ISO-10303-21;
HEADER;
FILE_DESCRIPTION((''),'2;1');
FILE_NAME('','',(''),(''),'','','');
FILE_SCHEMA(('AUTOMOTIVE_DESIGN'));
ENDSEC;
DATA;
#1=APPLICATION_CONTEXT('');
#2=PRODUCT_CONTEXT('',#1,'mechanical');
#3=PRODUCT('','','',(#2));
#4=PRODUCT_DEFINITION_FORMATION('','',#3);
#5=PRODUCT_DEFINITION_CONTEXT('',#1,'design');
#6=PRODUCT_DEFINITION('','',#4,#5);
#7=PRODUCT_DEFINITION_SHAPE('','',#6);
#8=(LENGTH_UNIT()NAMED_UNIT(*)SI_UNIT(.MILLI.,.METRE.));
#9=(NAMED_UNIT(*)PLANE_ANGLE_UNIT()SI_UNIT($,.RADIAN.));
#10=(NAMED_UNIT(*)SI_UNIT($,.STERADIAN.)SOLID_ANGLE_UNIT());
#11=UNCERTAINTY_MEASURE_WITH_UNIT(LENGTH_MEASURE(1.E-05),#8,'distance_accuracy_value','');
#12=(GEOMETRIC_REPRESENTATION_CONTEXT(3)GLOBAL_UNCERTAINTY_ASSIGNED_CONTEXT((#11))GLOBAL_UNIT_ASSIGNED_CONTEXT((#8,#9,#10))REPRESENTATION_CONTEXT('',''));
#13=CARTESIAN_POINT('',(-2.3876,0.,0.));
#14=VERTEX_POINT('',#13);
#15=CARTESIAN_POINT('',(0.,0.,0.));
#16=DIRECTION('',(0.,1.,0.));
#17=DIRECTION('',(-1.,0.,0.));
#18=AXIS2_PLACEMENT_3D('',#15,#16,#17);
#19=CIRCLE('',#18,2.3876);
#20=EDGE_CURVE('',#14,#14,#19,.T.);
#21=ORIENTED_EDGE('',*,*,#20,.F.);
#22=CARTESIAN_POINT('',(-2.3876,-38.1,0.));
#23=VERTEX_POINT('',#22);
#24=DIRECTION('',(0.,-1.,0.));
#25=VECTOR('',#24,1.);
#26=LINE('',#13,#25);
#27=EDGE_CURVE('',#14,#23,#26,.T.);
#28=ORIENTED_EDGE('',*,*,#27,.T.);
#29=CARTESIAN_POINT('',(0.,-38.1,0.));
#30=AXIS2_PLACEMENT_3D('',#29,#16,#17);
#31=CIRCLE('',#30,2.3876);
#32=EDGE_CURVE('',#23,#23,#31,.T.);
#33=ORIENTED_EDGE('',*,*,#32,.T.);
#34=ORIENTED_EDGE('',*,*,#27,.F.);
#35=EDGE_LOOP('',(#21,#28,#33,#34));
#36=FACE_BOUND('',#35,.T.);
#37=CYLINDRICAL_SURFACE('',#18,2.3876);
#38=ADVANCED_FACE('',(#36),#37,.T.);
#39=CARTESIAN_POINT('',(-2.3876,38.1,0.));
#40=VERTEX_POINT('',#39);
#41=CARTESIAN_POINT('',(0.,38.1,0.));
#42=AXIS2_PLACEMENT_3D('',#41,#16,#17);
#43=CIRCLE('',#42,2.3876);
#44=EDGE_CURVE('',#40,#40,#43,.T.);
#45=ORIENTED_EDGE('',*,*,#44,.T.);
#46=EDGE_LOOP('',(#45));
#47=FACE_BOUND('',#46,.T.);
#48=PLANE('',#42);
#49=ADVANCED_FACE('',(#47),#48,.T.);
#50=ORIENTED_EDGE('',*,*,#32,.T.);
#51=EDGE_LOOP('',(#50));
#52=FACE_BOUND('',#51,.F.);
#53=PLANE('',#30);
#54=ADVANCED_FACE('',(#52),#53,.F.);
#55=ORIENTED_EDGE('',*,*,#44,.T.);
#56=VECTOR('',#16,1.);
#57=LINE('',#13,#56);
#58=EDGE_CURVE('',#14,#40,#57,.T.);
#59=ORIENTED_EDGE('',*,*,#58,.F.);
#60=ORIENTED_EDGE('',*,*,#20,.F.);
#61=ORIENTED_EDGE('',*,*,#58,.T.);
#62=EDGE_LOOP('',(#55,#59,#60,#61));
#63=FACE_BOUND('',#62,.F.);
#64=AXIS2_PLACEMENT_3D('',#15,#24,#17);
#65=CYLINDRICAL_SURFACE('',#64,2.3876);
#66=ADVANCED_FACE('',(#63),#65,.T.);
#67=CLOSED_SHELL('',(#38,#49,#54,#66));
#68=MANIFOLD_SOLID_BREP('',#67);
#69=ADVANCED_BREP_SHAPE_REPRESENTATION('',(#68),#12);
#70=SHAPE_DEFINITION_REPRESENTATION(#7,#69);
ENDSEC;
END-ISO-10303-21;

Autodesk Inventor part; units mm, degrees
ref_plane "YZ Plane" through (0, 0, 0) normal (1, 0, 0) x (0, 1, 0)
ref_plane "XZ Plane" through (0, 0, 0) normal (0, 1, 0) x (-1, 0, 0)
ref_plane "XY Plane" through (0, 0, 0) normal (0, 0, 1) x (1, 0, 0)
sketch "Sketch1" plane through (0, 0, 0) normal (0, 1, 0) x (-1, 0, 0)
  circle A0 centre (0, 0) radius 2.3876
  dimension "d0" = 4.7752
extrude "Extrusion1" add sketch "Sketch1" along normal mid plane 76.2
properties part number "0_188 in diam aluminum rod" material "Aluminum 6061"
